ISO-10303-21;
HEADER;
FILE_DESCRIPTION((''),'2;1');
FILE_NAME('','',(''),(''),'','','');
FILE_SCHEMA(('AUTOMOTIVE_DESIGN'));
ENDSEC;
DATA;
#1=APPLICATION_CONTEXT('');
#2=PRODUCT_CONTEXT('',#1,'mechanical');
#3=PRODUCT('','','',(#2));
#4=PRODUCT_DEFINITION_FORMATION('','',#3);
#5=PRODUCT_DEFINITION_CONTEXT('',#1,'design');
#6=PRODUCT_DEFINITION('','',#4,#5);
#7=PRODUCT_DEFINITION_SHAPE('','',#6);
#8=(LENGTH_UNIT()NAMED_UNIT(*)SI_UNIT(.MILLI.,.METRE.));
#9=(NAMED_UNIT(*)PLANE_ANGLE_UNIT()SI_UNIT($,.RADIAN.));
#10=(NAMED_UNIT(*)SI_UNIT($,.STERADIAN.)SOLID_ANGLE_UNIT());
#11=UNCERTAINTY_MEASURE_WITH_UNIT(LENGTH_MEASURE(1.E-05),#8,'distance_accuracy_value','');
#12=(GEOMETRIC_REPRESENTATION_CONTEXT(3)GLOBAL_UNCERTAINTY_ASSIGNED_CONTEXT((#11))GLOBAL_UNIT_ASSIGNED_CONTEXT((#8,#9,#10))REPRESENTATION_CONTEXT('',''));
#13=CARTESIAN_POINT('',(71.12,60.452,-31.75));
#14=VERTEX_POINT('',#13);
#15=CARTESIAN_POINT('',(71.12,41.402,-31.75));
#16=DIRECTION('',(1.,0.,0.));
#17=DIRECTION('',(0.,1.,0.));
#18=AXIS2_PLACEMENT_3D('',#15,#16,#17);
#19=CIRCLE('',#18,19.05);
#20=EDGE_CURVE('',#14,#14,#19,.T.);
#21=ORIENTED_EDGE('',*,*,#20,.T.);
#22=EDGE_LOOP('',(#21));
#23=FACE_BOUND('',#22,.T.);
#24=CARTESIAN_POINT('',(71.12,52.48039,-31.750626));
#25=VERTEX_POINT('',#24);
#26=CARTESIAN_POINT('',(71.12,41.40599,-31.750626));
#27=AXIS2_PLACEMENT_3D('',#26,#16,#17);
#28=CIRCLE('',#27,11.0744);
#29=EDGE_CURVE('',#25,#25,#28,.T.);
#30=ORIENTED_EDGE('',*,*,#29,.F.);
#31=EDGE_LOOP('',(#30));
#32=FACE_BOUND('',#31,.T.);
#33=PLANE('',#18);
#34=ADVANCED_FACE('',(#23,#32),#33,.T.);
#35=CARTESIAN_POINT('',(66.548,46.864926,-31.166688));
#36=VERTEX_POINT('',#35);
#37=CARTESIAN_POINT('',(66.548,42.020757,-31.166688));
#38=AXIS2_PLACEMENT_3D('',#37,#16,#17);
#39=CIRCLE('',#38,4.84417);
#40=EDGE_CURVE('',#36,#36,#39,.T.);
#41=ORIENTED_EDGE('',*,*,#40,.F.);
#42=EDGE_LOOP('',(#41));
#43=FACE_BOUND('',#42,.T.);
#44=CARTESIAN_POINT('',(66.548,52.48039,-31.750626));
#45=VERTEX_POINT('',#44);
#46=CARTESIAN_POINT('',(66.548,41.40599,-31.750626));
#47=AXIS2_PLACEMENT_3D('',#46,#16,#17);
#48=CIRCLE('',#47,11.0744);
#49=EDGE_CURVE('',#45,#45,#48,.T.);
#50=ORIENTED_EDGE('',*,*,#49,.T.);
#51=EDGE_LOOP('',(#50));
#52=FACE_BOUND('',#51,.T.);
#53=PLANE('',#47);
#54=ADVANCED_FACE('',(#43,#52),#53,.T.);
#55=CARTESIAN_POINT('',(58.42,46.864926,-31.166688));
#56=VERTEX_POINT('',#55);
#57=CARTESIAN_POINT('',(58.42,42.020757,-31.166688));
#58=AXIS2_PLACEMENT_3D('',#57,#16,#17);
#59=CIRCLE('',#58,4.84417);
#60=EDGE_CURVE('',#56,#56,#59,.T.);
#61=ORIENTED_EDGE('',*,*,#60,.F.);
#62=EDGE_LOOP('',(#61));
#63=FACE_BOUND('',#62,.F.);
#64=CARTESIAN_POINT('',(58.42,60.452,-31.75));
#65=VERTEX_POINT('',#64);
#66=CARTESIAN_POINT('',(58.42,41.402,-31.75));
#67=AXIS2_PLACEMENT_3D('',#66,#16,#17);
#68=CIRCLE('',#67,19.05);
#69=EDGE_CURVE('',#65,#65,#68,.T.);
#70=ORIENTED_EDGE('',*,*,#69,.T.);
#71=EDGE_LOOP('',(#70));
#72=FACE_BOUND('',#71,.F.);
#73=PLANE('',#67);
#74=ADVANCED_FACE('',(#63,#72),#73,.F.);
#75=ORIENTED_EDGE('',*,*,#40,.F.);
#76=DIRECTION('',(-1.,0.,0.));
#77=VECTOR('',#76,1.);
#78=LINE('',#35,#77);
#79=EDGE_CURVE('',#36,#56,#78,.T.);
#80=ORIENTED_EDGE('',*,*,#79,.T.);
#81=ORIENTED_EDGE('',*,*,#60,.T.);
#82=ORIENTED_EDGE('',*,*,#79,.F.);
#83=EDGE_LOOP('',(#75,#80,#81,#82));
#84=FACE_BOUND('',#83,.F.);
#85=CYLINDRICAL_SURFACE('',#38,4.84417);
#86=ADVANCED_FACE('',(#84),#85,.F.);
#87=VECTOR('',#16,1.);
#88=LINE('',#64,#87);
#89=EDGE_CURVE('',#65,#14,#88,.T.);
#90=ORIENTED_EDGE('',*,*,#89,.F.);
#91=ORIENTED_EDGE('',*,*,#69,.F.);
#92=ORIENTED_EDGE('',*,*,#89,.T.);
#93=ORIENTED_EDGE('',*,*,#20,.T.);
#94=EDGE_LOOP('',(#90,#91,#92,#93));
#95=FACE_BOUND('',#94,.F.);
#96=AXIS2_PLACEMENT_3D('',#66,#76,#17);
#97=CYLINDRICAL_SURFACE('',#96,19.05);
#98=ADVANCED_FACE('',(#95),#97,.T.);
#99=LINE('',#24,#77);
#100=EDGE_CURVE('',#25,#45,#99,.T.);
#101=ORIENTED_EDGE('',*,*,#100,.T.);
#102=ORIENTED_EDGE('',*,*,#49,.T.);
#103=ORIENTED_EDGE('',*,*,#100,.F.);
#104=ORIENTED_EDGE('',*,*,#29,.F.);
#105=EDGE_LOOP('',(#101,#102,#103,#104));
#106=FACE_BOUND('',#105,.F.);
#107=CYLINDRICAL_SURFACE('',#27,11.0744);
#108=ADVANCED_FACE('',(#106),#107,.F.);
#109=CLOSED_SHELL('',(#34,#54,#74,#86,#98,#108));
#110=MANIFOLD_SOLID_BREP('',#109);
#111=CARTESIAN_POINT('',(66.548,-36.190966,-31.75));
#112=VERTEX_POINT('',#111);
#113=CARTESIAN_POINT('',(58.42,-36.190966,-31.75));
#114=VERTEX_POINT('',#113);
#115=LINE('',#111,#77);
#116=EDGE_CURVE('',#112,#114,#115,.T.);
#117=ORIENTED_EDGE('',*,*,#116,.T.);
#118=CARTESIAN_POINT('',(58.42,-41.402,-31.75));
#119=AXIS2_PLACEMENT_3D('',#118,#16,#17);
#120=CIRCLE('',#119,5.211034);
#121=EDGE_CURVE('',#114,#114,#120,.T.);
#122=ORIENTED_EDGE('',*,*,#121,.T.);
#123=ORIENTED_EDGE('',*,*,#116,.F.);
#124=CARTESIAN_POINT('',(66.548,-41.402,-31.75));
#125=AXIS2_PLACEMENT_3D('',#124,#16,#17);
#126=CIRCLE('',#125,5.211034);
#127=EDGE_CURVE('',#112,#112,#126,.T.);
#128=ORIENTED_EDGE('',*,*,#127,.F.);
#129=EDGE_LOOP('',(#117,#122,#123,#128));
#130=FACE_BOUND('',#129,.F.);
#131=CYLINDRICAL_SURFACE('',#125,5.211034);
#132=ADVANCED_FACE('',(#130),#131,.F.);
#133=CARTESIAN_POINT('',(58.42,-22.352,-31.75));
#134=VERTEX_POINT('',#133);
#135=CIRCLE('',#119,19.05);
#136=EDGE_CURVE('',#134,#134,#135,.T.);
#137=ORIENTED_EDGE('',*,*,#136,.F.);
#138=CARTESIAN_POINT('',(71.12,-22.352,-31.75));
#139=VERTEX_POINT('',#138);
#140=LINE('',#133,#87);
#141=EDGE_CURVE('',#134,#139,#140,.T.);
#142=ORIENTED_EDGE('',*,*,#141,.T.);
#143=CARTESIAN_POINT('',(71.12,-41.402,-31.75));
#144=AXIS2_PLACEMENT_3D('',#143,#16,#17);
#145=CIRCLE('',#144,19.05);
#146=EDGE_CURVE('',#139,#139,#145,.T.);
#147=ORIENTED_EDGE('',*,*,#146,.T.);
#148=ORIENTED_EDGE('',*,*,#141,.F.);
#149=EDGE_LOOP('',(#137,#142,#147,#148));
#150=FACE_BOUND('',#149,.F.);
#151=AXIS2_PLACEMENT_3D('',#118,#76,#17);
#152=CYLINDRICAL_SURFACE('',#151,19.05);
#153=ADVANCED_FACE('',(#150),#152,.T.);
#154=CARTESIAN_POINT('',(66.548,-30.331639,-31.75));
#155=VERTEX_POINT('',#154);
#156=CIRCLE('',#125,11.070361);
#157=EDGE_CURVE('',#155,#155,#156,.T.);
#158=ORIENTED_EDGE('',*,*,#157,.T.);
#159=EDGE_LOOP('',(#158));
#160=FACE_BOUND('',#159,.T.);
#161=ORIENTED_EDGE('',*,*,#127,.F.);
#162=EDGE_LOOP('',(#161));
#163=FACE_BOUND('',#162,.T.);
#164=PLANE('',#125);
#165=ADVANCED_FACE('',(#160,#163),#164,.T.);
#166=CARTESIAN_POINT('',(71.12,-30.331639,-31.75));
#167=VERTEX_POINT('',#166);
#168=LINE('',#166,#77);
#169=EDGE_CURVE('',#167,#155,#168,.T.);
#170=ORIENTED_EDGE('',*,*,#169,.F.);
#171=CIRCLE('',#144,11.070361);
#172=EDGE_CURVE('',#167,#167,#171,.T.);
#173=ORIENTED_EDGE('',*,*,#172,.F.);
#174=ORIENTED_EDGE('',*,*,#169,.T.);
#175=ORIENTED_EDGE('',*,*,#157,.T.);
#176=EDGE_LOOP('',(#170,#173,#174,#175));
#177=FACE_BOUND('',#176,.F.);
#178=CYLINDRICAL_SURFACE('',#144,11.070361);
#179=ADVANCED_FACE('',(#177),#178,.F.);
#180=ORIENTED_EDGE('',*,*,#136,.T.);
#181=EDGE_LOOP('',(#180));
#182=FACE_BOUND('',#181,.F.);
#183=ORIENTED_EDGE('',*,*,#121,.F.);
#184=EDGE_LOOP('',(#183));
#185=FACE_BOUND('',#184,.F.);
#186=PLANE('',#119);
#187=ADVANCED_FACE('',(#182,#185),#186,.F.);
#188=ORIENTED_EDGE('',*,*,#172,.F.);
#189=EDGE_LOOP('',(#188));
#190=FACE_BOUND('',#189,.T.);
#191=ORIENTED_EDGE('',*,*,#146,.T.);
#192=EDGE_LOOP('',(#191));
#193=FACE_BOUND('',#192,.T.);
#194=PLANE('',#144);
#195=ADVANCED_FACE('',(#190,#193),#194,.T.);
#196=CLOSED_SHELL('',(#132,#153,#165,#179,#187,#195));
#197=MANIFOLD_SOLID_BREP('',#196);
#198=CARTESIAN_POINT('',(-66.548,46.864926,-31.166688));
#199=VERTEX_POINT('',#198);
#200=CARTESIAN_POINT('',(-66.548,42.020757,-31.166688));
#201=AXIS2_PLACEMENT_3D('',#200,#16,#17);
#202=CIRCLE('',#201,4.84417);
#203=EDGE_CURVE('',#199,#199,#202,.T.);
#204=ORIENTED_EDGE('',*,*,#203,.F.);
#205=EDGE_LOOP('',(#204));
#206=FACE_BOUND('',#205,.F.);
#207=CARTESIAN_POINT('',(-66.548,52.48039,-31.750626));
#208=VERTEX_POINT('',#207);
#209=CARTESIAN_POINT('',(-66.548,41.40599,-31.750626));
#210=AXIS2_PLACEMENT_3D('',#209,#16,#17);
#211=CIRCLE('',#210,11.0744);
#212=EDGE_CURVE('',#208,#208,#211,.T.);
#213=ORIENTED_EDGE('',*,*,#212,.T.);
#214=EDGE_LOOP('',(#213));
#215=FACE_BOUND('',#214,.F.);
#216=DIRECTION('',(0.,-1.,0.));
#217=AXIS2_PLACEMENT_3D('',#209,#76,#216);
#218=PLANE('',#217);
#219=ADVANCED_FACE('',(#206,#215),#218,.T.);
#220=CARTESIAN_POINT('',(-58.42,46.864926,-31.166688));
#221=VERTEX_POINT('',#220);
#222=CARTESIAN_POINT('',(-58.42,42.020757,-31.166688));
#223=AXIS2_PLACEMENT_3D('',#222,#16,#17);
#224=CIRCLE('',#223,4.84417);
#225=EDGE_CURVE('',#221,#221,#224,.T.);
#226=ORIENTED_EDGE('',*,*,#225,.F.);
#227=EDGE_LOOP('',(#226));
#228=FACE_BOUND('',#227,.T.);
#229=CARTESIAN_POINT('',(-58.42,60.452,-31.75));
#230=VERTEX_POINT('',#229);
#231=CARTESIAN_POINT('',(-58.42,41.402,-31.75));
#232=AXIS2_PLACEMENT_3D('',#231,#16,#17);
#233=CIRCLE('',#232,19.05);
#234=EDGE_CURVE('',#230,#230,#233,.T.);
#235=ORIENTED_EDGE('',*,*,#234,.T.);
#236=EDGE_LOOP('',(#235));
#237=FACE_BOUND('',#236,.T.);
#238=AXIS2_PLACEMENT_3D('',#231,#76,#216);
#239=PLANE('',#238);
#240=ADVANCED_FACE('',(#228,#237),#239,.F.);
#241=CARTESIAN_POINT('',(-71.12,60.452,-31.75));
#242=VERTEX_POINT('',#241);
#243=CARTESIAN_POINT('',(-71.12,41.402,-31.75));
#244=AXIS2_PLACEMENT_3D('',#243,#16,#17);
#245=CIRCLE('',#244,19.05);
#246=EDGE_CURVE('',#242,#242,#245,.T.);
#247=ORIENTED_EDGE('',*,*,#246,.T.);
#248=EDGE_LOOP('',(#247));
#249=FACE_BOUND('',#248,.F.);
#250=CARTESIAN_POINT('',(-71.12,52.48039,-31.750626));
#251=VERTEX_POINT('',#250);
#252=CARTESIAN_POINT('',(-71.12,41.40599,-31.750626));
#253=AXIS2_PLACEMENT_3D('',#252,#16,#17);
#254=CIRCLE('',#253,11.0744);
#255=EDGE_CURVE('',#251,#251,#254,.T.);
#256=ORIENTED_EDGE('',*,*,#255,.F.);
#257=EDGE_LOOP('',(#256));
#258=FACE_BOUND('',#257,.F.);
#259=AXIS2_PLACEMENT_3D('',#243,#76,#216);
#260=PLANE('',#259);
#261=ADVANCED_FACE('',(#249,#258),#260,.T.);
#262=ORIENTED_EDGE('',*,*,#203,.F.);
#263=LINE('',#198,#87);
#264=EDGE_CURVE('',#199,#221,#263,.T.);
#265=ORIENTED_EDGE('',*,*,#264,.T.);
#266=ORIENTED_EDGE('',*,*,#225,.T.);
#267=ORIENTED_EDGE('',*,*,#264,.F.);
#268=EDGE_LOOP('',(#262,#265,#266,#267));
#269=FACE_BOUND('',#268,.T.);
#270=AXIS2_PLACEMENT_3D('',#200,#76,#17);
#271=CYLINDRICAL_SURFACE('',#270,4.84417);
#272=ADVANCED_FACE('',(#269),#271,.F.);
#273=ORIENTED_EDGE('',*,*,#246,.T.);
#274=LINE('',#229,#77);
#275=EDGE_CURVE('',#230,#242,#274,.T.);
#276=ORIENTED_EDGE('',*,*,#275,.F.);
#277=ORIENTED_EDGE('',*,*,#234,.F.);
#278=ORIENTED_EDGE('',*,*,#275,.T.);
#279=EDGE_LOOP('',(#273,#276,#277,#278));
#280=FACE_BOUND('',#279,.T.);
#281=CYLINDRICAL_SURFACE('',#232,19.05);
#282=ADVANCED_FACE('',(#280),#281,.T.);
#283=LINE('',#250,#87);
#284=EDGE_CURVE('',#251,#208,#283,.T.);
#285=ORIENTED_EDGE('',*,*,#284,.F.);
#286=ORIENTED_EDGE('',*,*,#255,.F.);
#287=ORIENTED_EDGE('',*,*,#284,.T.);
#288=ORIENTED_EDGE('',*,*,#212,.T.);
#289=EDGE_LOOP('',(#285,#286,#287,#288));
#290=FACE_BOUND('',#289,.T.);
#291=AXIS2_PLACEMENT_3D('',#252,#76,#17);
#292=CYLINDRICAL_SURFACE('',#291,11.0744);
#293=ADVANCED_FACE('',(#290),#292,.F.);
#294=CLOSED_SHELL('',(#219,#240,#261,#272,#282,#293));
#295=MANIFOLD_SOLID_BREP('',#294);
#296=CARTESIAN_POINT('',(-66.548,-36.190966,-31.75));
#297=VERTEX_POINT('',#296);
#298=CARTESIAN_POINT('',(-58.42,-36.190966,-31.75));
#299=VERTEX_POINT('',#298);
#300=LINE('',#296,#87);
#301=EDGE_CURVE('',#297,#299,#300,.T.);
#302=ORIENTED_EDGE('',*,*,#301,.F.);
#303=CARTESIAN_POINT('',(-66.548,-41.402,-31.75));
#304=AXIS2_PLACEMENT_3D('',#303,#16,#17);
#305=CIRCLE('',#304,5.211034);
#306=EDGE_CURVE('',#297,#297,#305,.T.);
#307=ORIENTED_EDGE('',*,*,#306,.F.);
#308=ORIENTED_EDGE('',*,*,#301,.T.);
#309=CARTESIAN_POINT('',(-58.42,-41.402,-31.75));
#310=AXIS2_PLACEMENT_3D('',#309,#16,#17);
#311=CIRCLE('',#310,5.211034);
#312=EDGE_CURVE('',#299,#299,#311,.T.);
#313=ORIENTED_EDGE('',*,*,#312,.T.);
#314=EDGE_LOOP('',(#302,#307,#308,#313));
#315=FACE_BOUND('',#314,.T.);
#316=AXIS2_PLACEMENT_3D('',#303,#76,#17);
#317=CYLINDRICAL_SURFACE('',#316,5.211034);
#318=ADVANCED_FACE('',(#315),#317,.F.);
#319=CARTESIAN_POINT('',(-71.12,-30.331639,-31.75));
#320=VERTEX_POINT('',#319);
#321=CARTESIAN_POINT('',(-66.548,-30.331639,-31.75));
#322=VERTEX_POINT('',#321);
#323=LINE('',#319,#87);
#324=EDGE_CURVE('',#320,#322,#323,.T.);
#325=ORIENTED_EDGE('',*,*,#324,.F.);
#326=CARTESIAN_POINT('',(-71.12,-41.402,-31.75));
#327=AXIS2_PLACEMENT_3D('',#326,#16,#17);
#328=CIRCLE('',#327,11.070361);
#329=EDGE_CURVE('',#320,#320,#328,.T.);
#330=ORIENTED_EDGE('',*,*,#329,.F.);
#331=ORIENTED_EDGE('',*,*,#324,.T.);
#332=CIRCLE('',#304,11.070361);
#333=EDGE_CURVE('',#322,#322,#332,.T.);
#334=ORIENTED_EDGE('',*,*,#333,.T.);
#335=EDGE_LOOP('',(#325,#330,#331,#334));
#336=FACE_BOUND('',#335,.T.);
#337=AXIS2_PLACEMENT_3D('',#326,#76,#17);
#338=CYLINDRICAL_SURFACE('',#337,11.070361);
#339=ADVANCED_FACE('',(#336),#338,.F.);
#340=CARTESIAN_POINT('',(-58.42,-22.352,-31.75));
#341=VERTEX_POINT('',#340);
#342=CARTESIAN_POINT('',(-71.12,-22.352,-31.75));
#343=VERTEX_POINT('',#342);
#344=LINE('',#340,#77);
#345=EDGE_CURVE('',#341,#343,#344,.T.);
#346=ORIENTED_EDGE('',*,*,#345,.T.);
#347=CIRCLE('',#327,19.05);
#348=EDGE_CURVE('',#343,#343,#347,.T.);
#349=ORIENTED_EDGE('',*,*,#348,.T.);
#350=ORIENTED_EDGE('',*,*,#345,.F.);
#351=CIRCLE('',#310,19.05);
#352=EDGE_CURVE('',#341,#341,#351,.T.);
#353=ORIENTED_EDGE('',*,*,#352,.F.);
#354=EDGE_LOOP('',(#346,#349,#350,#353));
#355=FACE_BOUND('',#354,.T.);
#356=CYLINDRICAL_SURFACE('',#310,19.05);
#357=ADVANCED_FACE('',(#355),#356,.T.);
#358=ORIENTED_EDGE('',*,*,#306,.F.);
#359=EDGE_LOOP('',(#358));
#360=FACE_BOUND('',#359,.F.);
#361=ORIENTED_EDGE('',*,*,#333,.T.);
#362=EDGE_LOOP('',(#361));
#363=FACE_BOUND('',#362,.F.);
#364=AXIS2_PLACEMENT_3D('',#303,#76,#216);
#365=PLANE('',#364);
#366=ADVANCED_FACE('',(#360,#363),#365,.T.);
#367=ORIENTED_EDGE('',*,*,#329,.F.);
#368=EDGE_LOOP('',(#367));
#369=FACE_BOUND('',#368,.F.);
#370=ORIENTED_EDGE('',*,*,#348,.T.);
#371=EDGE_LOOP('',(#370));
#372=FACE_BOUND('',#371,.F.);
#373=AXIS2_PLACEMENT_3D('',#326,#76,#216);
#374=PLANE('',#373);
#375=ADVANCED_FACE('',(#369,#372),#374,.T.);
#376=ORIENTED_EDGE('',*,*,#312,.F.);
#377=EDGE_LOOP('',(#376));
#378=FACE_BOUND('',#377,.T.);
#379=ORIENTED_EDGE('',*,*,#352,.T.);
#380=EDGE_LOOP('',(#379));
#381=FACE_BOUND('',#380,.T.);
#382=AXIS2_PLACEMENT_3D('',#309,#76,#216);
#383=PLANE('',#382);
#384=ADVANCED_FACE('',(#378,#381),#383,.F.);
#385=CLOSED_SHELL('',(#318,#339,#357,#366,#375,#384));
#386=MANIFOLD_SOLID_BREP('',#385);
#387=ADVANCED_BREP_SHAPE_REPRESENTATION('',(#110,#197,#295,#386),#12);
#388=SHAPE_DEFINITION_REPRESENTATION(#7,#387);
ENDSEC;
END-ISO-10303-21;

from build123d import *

# Parameters (mm, degrees)
F1_START = 58.42
F0_R     = 19.05
F1_DEPTH = 12.7
F2_R     = 11.0703614
F2_R_2   = 11.0744
F3_DEPTH = 4.572
F4_R     = 5.2110339315
F4_R_2   = 4.844169713
F5_DEPTH = 40.64


with BuildPart() as f1:
    # F0 (on Right) → F1 (new body)
    with BuildSketch(Plane.YZ.offset(F1_START)):
        with Locations((-41.402, -31.75)):
            Circle(F0_R)
    extrude(amount=F1_DEPTH)


with BuildPart() as f1b:
    # F0 (on Right) → F1, piece 2 (new body)
    with BuildSketch(Plane.YZ.offset(F1_START)):
        with Locations((41.402, -31.75)):
            Circle(F0_R)
    extrude(amount=F1_DEPTH)


with BuildPart() as f3_tool:
    # F2 (on face) → F3 (new body)
    with BuildSketch(Plane.YZ.offset(71.12)):
        with Locations((-41.402, -31.75)):
            Circle(F2_R)
        with Locations((41.4059897788, -31.7506260631)):
            Circle(F2_R_2)
    extrude(amount=-F3_DEPTH)


with BuildPart() as f1_1:
    add(f1.part)

    # F3: cut by f3_tool
    add(f3_tool.part, mode=Mode.SUBTRACT)


with BuildPart() as f1b_1:
    add(f1b.part)

    # F3: cut by f3_tool
    add(f3_tool.part, mode=Mode.SUBTRACT)


with BuildPart() as f5_tool:
    # F4 (on face) → F5 (new body)
    with BuildSketch(Plane.YZ.offset(66.548)):
        with Locations((-41.402, -31.75)):
            Circle(F4_R)
        with Locations((42.0207567513, -31.1666876078)):
            Circle(F4_R_2)
    extrude(amount=-F5_DEPTH)


with BuildPart() as f1_2:
    add(f1_1.part)

    # F5: cut by f5_tool
    add(f5_tool.part, mode=Mode.SUBTRACT)


with BuildPart() as f1b_2:
    add(f1b_1.part)

    # F5: cut by f5_tool
    add(f5_tool.part, mode=Mode.SUBTRACT)


with BuildPart() as f6_1:
    # F6: instance of F1
    add(f1_2.part.mirror(Plane.YZ))


with BuildPart() as f6_2:
    # F6: instance of F1b
    add(f1b_2.part.mirror(Plane.YZ))


solid = Compound([f1_2.part, f1b_2.part, f6_1.part, f6_2.part])
